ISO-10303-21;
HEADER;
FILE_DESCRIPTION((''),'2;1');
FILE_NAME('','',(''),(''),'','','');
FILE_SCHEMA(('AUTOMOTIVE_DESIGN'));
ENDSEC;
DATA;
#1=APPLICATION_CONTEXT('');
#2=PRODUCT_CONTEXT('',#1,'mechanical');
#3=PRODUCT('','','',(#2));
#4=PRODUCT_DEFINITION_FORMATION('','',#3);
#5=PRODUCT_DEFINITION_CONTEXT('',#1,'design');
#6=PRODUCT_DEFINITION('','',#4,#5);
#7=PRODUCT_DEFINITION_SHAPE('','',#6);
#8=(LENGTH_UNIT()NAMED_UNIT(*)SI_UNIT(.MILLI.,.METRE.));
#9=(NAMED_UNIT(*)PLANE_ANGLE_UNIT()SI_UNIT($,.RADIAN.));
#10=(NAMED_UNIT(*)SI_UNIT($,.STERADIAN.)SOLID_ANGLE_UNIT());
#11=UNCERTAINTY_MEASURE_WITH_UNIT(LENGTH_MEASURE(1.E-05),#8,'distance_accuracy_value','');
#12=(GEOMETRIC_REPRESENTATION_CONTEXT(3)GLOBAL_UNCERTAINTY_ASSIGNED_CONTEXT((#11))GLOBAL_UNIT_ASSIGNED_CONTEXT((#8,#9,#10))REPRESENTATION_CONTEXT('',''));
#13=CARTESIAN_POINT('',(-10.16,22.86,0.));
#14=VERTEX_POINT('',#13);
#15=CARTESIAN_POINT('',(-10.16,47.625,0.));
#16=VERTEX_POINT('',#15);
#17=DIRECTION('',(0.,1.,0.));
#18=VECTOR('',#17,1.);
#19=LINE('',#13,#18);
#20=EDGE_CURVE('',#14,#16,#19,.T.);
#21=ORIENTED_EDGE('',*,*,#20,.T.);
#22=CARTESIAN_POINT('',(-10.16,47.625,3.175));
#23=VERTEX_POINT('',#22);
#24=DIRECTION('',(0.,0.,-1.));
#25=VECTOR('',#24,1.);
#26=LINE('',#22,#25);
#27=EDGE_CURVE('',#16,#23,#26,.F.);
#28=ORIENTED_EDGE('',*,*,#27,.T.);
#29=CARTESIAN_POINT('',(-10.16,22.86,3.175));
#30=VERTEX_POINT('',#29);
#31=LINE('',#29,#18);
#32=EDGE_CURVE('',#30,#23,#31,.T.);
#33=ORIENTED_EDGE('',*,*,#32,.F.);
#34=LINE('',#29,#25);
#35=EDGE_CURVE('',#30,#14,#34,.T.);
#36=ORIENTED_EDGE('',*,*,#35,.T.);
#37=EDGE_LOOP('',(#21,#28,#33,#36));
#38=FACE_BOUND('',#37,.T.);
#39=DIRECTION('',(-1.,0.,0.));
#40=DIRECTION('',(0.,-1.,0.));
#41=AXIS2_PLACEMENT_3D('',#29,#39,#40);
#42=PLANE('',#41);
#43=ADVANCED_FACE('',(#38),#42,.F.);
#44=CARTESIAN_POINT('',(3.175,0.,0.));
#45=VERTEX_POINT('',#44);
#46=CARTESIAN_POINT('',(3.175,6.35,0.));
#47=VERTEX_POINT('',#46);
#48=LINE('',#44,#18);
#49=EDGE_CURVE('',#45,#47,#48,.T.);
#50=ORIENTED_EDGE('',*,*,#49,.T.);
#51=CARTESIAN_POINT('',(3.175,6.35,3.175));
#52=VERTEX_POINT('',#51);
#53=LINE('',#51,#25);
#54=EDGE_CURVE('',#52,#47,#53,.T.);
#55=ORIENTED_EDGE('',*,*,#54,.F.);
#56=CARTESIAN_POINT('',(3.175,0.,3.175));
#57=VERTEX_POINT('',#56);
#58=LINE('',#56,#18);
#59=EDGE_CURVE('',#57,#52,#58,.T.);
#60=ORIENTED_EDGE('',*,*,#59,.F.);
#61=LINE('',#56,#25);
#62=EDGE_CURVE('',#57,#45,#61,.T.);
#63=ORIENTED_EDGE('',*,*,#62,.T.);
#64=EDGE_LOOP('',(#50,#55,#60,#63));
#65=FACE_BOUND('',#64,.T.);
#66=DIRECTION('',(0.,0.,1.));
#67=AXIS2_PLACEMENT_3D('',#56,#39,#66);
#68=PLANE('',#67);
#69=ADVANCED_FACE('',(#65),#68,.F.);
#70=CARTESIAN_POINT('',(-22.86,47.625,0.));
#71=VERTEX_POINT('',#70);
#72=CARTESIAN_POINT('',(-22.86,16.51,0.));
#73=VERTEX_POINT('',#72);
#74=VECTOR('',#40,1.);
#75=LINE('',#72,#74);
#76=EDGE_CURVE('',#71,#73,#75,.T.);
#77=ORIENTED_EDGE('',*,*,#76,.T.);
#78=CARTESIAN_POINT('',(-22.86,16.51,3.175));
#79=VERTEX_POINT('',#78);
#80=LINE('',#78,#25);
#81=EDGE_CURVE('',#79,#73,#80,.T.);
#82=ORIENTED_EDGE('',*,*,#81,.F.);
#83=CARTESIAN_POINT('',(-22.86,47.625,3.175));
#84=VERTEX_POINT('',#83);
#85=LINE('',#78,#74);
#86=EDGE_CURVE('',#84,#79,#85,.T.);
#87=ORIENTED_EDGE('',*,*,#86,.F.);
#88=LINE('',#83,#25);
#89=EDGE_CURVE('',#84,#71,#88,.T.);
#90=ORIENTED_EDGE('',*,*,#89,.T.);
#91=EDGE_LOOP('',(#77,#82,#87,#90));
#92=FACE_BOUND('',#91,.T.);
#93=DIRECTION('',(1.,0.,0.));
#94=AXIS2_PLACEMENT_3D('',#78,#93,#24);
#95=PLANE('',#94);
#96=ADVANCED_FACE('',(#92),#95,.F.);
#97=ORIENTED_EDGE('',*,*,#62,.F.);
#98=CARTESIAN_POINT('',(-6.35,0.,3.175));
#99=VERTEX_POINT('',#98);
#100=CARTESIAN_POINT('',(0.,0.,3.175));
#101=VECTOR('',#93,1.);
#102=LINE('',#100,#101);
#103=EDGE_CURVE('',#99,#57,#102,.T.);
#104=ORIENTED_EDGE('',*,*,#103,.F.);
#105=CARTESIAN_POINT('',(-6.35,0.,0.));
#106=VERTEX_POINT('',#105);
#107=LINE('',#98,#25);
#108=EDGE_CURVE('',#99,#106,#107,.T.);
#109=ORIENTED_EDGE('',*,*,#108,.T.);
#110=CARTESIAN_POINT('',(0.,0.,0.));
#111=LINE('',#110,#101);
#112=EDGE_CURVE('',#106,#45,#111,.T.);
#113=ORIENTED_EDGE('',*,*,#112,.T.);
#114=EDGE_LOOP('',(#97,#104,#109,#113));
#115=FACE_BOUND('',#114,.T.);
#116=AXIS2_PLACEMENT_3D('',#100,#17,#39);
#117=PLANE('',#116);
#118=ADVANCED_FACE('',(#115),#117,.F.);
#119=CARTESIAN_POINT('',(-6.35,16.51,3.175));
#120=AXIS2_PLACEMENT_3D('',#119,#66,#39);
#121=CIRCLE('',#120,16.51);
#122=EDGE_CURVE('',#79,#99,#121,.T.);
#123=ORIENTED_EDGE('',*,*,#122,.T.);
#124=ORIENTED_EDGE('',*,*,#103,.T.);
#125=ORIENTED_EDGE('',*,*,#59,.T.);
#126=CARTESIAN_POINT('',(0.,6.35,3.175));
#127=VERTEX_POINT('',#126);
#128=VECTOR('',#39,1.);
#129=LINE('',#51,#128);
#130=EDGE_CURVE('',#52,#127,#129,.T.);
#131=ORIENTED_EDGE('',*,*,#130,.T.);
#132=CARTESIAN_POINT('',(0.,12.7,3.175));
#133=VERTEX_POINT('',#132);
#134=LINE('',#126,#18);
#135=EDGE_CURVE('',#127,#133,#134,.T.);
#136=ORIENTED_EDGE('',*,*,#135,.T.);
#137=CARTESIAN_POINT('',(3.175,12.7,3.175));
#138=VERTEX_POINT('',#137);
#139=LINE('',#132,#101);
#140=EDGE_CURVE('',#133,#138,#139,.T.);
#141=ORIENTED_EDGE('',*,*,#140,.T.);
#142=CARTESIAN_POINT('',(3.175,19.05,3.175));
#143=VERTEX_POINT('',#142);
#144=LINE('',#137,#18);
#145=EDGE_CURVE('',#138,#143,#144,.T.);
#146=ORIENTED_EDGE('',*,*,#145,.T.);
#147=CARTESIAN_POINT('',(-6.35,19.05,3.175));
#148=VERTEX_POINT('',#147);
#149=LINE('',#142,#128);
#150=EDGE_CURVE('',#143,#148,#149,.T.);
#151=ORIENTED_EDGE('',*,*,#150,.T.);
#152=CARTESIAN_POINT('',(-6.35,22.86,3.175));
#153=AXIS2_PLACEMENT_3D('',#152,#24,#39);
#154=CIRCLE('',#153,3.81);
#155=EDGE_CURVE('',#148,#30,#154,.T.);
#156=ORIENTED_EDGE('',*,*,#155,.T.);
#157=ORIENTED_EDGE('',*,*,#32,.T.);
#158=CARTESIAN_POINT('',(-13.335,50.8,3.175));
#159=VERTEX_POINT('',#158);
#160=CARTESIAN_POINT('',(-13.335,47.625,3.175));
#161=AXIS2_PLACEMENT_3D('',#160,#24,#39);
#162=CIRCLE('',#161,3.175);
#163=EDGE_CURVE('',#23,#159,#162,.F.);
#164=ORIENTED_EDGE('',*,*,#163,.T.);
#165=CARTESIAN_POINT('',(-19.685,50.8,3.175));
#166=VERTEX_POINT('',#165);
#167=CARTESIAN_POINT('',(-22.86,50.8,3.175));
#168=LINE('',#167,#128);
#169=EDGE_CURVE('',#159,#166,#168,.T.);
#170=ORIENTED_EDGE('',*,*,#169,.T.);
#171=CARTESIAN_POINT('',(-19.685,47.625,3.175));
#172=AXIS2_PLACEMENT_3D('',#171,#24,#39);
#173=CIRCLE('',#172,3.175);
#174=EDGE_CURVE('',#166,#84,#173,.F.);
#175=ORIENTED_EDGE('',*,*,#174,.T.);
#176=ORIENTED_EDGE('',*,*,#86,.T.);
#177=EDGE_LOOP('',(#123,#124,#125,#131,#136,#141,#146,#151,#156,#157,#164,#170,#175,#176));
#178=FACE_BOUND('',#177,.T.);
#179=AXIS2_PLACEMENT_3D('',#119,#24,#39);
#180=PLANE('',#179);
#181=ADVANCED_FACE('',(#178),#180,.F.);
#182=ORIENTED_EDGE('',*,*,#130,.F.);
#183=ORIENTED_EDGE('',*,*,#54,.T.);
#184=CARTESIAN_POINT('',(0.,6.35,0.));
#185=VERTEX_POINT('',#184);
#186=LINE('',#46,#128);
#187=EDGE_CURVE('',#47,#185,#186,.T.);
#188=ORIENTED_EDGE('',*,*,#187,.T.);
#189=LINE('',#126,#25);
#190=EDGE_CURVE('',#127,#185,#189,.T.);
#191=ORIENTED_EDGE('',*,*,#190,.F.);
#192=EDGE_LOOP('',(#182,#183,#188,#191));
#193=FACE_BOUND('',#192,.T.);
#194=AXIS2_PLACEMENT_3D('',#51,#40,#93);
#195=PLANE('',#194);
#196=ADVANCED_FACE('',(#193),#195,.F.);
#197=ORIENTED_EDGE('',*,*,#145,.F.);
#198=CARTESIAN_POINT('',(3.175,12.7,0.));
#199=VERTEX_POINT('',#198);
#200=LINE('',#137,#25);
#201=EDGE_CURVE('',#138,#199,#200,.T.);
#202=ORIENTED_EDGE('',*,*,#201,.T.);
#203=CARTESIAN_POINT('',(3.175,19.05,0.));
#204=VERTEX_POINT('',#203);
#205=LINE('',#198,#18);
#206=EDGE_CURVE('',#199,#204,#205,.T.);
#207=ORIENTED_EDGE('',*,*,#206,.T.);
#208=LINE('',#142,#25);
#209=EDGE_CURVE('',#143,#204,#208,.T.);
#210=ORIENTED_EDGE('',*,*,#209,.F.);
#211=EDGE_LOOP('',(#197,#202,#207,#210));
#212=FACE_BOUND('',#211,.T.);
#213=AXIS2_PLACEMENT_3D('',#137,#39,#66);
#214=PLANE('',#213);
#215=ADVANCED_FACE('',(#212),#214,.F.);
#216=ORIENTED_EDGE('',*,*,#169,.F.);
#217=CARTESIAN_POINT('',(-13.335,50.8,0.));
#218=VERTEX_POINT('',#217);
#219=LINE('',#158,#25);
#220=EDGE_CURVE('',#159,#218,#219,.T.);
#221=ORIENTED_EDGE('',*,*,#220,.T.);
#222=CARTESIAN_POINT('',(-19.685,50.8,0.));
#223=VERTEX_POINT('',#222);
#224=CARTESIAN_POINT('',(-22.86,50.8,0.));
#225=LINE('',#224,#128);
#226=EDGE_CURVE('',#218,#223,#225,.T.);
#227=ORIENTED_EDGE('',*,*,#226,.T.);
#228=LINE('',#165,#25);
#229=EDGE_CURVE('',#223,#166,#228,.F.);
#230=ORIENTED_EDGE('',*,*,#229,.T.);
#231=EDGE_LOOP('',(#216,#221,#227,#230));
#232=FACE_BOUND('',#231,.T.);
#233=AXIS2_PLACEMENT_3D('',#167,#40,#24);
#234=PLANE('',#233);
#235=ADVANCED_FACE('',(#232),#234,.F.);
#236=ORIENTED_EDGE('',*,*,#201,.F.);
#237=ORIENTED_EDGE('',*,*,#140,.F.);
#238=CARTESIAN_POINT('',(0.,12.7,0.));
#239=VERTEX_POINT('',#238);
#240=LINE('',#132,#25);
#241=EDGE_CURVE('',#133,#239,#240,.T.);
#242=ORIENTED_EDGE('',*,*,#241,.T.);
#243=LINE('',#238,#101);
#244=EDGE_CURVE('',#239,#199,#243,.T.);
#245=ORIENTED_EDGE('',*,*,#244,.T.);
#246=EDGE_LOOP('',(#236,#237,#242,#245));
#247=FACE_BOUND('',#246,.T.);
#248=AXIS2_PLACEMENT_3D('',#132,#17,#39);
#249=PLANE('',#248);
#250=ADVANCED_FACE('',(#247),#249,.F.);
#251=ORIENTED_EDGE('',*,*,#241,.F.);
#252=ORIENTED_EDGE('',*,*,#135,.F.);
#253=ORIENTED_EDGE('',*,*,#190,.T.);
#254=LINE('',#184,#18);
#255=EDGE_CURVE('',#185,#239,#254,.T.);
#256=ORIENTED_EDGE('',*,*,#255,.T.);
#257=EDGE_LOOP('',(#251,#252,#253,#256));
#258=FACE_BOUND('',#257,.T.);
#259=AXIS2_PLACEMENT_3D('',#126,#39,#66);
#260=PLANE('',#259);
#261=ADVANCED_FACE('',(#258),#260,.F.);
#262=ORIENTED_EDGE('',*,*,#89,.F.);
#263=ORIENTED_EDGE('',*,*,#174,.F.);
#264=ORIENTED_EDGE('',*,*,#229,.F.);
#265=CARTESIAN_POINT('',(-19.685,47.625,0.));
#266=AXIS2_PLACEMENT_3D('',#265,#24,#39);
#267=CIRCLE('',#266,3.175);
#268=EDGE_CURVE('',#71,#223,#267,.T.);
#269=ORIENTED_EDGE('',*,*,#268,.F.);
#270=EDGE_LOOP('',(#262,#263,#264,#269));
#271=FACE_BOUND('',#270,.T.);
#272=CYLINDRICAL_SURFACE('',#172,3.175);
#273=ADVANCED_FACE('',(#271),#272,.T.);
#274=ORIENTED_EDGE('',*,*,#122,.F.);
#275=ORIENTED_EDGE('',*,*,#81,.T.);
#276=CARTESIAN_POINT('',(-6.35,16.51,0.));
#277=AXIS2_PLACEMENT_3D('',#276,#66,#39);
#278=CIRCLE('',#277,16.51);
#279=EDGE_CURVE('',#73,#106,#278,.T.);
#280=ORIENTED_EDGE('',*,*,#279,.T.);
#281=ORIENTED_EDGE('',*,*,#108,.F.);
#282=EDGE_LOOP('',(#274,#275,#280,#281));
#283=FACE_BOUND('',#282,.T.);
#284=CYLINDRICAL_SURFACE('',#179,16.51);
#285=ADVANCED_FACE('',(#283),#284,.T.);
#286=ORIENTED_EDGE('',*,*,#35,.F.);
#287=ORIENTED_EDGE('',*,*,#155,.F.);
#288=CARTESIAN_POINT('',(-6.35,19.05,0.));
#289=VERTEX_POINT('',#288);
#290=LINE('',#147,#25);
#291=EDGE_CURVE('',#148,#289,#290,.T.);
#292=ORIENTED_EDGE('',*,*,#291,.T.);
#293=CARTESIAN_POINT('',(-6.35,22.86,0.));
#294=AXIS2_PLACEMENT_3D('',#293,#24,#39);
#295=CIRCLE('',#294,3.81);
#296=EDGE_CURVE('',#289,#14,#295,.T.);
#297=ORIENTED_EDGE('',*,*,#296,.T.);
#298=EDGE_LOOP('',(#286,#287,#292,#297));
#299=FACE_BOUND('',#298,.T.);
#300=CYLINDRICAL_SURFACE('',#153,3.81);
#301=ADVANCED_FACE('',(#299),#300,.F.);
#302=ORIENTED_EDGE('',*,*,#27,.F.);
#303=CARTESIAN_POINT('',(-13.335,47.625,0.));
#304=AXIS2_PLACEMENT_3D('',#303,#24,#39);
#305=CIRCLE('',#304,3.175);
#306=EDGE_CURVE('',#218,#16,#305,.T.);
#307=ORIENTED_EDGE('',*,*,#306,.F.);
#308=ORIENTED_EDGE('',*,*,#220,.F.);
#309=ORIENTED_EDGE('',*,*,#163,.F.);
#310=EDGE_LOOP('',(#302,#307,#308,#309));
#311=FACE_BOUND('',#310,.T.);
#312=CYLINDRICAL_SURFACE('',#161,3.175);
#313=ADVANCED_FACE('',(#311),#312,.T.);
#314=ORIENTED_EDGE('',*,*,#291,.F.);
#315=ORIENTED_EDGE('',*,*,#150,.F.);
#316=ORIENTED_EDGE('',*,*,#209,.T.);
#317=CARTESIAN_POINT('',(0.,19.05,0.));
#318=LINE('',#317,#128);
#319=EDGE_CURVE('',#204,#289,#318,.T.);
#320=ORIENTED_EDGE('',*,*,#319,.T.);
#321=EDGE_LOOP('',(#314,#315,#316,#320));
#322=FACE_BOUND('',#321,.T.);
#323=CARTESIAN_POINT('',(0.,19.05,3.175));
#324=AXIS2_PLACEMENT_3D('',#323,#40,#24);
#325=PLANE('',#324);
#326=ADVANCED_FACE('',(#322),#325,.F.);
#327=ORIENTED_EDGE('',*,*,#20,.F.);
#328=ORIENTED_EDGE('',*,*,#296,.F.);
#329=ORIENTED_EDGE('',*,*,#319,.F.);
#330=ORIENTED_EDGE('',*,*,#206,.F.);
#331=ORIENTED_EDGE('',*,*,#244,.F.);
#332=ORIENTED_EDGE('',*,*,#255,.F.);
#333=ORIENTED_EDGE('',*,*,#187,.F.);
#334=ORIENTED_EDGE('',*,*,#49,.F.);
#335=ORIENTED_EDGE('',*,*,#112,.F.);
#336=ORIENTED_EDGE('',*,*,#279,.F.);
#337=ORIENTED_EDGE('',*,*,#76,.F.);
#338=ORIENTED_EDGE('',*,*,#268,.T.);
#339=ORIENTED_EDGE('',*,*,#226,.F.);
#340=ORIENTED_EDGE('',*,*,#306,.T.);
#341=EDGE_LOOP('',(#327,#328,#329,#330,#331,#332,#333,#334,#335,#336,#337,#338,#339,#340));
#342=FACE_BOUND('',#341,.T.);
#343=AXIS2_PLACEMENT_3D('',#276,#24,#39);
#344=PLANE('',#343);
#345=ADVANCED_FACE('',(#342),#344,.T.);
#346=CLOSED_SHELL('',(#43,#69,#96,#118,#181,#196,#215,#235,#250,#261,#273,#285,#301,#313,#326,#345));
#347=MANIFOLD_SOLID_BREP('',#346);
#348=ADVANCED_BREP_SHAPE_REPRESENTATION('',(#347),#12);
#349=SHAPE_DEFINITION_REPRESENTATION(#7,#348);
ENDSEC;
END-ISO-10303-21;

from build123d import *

# Parameters (mm, degrees)
BOSS_EXTRUDE1_DEPTH = 3.175
FILLET1_R           = 3.175


with BuildPart() as part:
    # Sketch1 → Boss-Extrude1 (new body)
    with BuildSketch(Plane.XY):
        with BuildLine():
            Line((0, 0), (3.175, 0))
            Line((3.175, 0), (3.175, 6.35))
            Line((3.175, 6.35), (0, 6.35))
            Line((0, 6.35), (0, 12.7))
            Line((0, 12.7), (3.175, 12.7))
            Line((3.175, 12.7), (3.175, 19.05))
            Line((3.175, 19.05), (0, 19.05))
            Line((0, 19.05), (-6.35, 19.05))
            ThreePointArc((-6.35, 19.05), (-9.044076836, 20.165923164), (-10.16, 22.86))
            Line((-10.16, 22.86), (-10.16, 50.8))
            Line((-10.16, 50.8), (-22.86, 50.8))
            Line((-22.86, 50.8), (-22.86, 16.51))
            ThreePointArc((-22.86, 16.51), (-18.024332957, 4.835667043), (-6.35, 0))
            Line((-6.35, 0), (0, 0))
        make_face()
    extrude(amount=BOSS_EXTRUDE1_DEPTH)

    # Fillet1
    fillet1_edges = [part.edges().sort_by_distance(p)[0] for p in [
        (-22.86, 50.8, 1.5875),
        (-10.16, 50.8, 1.5875),
    ]]
    fillet(fillet1_edges, radius=FILLET1_R)


solid = part.part
